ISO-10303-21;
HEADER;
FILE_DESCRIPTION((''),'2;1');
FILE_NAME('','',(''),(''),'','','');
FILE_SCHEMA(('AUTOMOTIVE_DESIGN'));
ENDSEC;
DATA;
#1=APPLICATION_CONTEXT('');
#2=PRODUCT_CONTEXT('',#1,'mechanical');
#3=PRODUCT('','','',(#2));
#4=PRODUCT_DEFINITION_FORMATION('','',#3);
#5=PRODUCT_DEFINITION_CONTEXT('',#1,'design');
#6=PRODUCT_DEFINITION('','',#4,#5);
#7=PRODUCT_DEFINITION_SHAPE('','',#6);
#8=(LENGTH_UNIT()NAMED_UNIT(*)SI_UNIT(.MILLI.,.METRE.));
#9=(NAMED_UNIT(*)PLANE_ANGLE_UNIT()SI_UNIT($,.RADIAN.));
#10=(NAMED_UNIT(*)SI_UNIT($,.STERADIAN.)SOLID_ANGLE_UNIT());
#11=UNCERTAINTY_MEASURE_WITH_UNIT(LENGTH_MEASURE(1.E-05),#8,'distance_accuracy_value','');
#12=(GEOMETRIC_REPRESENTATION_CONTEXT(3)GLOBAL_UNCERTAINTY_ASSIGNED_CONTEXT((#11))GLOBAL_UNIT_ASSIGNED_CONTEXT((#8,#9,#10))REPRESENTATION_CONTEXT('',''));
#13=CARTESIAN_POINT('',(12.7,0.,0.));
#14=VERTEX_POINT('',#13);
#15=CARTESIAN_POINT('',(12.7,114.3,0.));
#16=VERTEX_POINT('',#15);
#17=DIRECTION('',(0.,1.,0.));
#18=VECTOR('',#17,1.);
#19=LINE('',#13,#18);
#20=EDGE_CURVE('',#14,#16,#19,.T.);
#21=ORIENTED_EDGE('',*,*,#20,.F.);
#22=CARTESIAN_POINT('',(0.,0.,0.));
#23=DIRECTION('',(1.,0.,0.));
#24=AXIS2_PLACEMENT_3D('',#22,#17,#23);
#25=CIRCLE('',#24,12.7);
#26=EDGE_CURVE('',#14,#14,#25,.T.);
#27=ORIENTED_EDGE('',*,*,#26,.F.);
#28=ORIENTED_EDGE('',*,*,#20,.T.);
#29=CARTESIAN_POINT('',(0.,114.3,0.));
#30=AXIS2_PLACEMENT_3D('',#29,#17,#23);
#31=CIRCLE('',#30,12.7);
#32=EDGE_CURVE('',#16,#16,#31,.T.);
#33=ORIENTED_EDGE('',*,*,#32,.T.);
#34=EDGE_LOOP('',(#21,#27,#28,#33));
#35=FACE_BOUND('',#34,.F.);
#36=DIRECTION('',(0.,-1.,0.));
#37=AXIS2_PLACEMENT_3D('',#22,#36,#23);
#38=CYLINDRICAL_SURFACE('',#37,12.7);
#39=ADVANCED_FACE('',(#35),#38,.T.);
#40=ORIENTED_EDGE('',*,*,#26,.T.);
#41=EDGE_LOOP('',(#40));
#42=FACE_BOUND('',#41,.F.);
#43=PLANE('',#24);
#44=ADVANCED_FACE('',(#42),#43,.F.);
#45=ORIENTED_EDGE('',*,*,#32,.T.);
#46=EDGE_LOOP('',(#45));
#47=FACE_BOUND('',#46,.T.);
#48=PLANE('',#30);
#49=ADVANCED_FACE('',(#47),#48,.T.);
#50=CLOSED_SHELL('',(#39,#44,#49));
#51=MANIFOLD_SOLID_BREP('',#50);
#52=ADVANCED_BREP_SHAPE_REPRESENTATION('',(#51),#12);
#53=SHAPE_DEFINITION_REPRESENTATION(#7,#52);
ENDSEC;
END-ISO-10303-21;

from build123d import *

# Parameters (mm, degrees)
SKETCH1_R           = 12.7
BOSS_EXTRUDE1_DEPTH = 114.3


with BuildPart() as part:
    # Sketch1 → Boss-Extrude1 (new body)
    with BuildSketch(Plane(origin=(0, 0, 0), x_dir=(1, 0, 0), z_dir=(0, 1, 0))):
        Circle(SKETCH1_R)
    extrude(amount=BOSS_EXTRUDE1_DEPTH)


solid = part.part
